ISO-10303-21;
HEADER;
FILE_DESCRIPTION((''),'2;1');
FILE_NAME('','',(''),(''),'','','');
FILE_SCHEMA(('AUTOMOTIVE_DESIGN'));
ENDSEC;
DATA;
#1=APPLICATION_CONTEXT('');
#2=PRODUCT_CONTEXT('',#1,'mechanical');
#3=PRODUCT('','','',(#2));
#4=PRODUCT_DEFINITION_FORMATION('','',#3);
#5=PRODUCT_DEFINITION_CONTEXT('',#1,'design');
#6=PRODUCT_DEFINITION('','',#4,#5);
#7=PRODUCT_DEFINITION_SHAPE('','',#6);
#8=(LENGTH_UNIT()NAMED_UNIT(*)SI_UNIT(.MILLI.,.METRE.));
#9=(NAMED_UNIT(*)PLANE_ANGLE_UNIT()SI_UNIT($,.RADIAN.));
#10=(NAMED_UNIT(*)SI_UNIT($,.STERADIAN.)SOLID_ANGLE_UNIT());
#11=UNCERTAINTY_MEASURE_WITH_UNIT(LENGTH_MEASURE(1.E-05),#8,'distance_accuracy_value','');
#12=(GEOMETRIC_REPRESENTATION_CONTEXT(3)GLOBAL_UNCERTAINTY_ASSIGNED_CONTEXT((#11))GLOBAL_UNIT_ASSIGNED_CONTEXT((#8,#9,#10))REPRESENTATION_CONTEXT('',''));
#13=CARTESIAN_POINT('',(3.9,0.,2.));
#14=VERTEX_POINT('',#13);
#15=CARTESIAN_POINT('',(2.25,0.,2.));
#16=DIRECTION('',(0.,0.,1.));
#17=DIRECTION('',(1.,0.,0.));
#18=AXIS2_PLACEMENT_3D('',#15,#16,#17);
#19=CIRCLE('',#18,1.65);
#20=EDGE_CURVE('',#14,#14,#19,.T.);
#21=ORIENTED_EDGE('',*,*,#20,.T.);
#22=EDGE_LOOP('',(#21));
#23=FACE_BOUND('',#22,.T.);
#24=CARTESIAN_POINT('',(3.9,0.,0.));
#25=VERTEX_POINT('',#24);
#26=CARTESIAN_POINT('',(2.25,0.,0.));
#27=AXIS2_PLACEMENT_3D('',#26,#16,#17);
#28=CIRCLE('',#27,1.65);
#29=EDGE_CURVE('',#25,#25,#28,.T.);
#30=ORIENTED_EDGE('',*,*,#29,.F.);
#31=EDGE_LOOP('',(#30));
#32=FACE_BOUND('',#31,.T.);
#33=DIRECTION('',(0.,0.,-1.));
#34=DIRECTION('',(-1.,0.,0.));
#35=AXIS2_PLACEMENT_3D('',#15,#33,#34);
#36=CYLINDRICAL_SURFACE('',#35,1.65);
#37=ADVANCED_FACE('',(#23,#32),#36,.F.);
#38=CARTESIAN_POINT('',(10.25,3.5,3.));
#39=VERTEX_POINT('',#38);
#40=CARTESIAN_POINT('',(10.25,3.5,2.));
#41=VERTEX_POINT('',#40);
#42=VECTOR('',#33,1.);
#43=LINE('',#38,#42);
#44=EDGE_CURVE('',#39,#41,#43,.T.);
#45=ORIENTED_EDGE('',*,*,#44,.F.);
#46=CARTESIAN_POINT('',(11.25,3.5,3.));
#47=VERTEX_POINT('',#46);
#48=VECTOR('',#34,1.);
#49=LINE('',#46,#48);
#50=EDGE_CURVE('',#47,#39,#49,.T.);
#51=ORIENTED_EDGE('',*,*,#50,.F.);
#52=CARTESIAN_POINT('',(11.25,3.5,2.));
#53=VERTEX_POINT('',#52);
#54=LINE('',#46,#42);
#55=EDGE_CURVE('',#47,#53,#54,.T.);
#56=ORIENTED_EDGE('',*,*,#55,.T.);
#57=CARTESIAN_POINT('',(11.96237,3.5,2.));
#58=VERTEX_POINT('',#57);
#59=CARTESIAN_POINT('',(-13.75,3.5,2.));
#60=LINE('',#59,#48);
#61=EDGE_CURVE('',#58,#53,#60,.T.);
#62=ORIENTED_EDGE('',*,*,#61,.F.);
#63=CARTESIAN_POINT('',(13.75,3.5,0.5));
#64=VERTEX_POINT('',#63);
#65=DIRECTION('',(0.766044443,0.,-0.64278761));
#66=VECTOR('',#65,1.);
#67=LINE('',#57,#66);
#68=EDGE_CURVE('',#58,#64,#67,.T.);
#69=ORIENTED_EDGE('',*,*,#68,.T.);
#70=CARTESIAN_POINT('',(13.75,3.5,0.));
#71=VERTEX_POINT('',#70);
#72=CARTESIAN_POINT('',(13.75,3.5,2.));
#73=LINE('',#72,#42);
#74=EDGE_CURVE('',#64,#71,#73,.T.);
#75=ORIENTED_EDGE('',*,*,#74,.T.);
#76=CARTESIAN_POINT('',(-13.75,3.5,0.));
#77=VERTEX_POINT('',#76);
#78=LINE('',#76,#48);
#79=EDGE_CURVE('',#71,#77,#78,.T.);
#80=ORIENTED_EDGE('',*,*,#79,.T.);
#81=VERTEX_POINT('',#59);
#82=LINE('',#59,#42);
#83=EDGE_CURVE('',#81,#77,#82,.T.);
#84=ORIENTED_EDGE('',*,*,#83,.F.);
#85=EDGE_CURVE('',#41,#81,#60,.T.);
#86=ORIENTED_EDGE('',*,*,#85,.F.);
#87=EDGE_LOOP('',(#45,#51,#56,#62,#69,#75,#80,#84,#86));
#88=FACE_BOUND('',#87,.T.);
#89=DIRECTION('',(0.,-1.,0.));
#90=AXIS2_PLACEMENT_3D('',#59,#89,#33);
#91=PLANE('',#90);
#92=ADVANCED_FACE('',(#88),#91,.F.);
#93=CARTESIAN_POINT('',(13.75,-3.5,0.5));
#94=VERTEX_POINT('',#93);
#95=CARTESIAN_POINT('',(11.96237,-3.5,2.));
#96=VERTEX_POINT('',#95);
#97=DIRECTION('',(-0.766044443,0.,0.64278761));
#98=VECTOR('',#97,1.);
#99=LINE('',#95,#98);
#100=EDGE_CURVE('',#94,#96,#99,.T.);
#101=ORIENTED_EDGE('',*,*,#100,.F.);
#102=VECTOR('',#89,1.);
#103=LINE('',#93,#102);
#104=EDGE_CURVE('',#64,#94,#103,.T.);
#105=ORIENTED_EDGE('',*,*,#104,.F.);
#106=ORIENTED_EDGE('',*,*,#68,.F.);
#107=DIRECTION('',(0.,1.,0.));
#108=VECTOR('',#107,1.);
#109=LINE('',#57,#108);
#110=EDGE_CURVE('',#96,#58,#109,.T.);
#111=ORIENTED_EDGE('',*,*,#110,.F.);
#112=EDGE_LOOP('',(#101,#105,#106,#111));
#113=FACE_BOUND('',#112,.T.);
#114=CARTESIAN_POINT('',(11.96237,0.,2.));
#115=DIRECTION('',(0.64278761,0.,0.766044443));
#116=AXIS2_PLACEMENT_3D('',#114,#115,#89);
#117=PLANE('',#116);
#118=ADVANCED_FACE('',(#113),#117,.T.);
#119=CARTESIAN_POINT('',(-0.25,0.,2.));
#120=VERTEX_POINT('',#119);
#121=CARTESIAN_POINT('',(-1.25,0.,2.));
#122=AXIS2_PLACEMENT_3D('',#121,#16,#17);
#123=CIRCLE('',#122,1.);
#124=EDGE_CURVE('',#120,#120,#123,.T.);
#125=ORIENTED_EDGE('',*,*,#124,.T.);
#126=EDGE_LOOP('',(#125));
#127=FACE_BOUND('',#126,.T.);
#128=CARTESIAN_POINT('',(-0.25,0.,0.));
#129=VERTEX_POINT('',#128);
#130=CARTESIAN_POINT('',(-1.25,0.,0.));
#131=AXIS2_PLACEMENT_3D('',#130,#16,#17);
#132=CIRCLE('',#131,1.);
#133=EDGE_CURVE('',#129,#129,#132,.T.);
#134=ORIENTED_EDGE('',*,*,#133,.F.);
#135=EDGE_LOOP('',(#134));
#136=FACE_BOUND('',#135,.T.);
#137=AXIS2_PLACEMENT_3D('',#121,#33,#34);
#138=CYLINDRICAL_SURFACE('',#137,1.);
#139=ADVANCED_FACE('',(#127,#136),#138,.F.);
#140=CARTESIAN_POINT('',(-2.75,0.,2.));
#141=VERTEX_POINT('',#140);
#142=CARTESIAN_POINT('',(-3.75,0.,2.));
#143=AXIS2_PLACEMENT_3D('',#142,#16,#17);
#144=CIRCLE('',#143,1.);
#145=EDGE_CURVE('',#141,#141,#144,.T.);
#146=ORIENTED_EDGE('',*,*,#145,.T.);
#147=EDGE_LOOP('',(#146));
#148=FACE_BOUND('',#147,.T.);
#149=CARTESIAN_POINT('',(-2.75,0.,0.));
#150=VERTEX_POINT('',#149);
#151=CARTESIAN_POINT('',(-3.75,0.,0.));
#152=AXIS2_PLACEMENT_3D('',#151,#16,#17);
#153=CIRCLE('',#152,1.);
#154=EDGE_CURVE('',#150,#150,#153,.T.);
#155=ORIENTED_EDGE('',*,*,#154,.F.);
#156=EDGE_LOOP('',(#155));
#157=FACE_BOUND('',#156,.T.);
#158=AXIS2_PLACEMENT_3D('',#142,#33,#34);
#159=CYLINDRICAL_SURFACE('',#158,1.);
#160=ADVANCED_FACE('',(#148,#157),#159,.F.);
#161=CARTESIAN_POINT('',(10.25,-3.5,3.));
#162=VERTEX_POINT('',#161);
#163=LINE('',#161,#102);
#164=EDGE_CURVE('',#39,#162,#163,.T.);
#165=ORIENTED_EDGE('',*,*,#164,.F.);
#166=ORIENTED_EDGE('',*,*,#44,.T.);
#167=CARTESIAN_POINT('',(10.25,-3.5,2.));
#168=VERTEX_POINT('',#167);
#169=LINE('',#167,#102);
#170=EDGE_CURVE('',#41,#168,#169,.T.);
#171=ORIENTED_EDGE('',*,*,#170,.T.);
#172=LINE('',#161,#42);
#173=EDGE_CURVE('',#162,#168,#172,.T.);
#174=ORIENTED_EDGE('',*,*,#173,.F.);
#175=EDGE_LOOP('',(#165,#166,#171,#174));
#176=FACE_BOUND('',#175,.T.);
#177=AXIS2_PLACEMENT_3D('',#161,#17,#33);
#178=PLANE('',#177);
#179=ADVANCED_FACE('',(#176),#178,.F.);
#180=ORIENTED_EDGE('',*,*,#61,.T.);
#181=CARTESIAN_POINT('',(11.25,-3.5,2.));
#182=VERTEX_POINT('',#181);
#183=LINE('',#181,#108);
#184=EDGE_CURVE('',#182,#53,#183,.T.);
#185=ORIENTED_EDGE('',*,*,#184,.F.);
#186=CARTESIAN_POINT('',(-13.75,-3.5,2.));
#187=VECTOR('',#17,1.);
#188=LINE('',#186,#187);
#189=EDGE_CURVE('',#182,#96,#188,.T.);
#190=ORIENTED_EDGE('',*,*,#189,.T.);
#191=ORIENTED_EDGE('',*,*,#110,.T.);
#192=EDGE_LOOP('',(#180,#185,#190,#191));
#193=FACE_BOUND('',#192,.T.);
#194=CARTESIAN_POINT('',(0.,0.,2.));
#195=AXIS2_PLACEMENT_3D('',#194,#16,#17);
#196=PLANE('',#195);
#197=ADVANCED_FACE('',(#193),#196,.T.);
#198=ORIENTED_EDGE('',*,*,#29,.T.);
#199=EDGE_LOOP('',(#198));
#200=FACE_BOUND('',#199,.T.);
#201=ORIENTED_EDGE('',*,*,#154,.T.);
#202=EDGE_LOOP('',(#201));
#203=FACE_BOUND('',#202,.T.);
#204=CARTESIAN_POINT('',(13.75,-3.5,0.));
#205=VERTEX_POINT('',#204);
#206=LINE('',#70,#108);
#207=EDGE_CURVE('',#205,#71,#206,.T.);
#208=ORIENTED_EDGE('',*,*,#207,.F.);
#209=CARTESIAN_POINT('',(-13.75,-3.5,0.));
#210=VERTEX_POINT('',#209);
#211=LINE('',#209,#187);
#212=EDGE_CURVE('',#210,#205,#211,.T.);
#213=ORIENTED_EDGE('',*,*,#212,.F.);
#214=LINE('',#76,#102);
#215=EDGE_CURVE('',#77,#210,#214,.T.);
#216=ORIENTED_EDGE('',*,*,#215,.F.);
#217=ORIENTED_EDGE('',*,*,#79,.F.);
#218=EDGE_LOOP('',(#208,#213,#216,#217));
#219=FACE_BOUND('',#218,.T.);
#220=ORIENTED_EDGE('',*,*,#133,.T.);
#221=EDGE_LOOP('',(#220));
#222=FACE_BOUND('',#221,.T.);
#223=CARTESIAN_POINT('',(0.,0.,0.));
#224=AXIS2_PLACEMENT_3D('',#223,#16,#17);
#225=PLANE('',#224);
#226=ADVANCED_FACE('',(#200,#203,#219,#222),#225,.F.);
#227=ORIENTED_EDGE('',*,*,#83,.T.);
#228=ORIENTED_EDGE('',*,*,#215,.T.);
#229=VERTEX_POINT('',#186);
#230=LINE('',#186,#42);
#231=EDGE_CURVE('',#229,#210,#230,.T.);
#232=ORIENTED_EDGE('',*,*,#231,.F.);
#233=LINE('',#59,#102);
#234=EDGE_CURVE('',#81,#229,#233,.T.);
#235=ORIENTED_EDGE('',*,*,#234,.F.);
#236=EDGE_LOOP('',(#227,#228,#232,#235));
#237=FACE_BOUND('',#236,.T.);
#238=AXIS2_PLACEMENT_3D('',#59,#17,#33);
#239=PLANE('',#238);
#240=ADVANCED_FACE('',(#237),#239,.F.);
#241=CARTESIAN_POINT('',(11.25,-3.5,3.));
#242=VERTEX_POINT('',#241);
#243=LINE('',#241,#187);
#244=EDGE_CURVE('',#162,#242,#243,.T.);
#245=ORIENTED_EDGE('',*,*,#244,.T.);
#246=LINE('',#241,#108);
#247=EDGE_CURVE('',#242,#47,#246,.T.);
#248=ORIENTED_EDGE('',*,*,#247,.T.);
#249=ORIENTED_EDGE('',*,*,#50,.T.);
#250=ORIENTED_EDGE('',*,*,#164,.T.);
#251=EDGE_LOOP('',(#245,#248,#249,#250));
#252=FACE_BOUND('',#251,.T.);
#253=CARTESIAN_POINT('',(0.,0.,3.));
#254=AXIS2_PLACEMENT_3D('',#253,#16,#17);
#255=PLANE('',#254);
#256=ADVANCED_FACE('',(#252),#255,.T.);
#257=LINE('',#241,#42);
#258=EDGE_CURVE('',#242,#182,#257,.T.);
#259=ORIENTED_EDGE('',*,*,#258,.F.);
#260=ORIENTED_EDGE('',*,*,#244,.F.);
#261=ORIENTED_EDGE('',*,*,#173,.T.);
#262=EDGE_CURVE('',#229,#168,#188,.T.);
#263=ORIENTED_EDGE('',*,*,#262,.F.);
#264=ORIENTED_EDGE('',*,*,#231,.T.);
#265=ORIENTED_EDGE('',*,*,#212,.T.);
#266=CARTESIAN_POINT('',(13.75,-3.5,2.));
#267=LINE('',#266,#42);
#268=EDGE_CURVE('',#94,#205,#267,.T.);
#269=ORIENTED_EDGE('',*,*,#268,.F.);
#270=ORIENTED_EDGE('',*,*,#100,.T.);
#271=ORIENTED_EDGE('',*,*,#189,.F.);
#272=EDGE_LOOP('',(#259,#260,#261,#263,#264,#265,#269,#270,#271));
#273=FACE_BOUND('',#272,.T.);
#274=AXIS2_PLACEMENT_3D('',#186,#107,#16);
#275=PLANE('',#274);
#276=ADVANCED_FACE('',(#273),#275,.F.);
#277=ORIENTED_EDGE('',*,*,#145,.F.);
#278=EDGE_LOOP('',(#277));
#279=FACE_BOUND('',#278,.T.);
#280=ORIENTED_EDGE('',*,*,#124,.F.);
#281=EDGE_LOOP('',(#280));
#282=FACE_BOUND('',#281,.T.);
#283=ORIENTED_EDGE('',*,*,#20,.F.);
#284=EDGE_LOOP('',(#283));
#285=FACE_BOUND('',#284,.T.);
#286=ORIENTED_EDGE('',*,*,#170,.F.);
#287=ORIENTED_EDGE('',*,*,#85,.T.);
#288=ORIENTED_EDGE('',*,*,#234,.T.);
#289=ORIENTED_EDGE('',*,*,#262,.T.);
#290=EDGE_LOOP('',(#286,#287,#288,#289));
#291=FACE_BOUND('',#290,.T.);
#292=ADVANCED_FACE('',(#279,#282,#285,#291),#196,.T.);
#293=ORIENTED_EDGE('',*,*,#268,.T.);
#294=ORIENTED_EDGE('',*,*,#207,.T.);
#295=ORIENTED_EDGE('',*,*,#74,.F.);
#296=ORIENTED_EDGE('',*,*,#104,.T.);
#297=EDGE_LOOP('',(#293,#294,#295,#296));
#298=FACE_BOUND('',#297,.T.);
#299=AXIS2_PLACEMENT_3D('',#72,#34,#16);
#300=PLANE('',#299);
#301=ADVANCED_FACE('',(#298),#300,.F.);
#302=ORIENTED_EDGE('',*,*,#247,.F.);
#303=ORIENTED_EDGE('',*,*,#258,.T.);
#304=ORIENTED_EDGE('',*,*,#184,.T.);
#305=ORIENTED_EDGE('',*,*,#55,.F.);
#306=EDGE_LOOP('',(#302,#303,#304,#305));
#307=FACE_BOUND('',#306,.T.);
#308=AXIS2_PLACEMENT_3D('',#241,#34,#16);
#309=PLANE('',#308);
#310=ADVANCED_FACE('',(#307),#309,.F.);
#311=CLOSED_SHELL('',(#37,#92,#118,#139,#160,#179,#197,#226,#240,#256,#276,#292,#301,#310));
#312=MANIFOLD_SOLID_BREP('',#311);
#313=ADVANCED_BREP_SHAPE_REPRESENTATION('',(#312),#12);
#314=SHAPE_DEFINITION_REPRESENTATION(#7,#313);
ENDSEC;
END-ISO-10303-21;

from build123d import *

# Parameters (mm, degrees)
ESBO_O1_W                = 27.5
ESBO_O1_H                = 7
ESBO_O1_R                = 1.65
ESBO_O1_R_2              = 1
RESSALTO_EXTRUS_O1_DEPTH = 2
CHANFRO1_SIZE            = 1.5
CHANFRO1_SIZE2           = 1.787630389
ESBO_O2_W                = 1
ESBO_O2_H                = 7
RESSALTO_EXTRUS_O2_DEPTH = 1


with BuildPart() as part:
    # Esboço1 → Ressalto-extrusão1 (new body)
    with BuildSketch(Plane.XY):
        Rectangle(ESBO_O1_W, ESBO_O1_H)
        with Locations((2.25, 0)):
            Circle(ESBO_O1_R, mode=Mode.SUBTRACT)
        with Locations((-1.25, 0)):
            Circle(ESBO_O1_R_2, mode=Mode.SUBTRACT)
        with Locations((-3.75, 0)):
            Circle(ESBO_O1_R_2, mode=Mode.SUBTRACT)
    extrude(amount=RESSALTO_EXTRUS_O1_DEPTH)

    # Chanfro1
    chanfro1_edges = [part.edges().sort_by_distance(p)[0] for p in [
        (13.75, 0, 2),
    ]]
    chanfro1_side = [part.faces().sort_by_distance(p)[0] for p in [
        (13.75, 0, 1),
    ]]
    chamfer(chanfro1_edges, length=CHANFRO1_SIZE, length2=CHANFRO1_SIZE2, reference=chanfro1_side[0])

    # Esboço2 → Ressalto-extrusão2 (add)
    with BuildSketch(Plane.XY.offset(2)):
        with Locations((10.75, 0)):
            Rectangle(ESBO_O2_W, ESBO_O2_H)
    extrude(amount=RESSALTO_EXTRUS_O2_DEPTH)


solid = part.part
